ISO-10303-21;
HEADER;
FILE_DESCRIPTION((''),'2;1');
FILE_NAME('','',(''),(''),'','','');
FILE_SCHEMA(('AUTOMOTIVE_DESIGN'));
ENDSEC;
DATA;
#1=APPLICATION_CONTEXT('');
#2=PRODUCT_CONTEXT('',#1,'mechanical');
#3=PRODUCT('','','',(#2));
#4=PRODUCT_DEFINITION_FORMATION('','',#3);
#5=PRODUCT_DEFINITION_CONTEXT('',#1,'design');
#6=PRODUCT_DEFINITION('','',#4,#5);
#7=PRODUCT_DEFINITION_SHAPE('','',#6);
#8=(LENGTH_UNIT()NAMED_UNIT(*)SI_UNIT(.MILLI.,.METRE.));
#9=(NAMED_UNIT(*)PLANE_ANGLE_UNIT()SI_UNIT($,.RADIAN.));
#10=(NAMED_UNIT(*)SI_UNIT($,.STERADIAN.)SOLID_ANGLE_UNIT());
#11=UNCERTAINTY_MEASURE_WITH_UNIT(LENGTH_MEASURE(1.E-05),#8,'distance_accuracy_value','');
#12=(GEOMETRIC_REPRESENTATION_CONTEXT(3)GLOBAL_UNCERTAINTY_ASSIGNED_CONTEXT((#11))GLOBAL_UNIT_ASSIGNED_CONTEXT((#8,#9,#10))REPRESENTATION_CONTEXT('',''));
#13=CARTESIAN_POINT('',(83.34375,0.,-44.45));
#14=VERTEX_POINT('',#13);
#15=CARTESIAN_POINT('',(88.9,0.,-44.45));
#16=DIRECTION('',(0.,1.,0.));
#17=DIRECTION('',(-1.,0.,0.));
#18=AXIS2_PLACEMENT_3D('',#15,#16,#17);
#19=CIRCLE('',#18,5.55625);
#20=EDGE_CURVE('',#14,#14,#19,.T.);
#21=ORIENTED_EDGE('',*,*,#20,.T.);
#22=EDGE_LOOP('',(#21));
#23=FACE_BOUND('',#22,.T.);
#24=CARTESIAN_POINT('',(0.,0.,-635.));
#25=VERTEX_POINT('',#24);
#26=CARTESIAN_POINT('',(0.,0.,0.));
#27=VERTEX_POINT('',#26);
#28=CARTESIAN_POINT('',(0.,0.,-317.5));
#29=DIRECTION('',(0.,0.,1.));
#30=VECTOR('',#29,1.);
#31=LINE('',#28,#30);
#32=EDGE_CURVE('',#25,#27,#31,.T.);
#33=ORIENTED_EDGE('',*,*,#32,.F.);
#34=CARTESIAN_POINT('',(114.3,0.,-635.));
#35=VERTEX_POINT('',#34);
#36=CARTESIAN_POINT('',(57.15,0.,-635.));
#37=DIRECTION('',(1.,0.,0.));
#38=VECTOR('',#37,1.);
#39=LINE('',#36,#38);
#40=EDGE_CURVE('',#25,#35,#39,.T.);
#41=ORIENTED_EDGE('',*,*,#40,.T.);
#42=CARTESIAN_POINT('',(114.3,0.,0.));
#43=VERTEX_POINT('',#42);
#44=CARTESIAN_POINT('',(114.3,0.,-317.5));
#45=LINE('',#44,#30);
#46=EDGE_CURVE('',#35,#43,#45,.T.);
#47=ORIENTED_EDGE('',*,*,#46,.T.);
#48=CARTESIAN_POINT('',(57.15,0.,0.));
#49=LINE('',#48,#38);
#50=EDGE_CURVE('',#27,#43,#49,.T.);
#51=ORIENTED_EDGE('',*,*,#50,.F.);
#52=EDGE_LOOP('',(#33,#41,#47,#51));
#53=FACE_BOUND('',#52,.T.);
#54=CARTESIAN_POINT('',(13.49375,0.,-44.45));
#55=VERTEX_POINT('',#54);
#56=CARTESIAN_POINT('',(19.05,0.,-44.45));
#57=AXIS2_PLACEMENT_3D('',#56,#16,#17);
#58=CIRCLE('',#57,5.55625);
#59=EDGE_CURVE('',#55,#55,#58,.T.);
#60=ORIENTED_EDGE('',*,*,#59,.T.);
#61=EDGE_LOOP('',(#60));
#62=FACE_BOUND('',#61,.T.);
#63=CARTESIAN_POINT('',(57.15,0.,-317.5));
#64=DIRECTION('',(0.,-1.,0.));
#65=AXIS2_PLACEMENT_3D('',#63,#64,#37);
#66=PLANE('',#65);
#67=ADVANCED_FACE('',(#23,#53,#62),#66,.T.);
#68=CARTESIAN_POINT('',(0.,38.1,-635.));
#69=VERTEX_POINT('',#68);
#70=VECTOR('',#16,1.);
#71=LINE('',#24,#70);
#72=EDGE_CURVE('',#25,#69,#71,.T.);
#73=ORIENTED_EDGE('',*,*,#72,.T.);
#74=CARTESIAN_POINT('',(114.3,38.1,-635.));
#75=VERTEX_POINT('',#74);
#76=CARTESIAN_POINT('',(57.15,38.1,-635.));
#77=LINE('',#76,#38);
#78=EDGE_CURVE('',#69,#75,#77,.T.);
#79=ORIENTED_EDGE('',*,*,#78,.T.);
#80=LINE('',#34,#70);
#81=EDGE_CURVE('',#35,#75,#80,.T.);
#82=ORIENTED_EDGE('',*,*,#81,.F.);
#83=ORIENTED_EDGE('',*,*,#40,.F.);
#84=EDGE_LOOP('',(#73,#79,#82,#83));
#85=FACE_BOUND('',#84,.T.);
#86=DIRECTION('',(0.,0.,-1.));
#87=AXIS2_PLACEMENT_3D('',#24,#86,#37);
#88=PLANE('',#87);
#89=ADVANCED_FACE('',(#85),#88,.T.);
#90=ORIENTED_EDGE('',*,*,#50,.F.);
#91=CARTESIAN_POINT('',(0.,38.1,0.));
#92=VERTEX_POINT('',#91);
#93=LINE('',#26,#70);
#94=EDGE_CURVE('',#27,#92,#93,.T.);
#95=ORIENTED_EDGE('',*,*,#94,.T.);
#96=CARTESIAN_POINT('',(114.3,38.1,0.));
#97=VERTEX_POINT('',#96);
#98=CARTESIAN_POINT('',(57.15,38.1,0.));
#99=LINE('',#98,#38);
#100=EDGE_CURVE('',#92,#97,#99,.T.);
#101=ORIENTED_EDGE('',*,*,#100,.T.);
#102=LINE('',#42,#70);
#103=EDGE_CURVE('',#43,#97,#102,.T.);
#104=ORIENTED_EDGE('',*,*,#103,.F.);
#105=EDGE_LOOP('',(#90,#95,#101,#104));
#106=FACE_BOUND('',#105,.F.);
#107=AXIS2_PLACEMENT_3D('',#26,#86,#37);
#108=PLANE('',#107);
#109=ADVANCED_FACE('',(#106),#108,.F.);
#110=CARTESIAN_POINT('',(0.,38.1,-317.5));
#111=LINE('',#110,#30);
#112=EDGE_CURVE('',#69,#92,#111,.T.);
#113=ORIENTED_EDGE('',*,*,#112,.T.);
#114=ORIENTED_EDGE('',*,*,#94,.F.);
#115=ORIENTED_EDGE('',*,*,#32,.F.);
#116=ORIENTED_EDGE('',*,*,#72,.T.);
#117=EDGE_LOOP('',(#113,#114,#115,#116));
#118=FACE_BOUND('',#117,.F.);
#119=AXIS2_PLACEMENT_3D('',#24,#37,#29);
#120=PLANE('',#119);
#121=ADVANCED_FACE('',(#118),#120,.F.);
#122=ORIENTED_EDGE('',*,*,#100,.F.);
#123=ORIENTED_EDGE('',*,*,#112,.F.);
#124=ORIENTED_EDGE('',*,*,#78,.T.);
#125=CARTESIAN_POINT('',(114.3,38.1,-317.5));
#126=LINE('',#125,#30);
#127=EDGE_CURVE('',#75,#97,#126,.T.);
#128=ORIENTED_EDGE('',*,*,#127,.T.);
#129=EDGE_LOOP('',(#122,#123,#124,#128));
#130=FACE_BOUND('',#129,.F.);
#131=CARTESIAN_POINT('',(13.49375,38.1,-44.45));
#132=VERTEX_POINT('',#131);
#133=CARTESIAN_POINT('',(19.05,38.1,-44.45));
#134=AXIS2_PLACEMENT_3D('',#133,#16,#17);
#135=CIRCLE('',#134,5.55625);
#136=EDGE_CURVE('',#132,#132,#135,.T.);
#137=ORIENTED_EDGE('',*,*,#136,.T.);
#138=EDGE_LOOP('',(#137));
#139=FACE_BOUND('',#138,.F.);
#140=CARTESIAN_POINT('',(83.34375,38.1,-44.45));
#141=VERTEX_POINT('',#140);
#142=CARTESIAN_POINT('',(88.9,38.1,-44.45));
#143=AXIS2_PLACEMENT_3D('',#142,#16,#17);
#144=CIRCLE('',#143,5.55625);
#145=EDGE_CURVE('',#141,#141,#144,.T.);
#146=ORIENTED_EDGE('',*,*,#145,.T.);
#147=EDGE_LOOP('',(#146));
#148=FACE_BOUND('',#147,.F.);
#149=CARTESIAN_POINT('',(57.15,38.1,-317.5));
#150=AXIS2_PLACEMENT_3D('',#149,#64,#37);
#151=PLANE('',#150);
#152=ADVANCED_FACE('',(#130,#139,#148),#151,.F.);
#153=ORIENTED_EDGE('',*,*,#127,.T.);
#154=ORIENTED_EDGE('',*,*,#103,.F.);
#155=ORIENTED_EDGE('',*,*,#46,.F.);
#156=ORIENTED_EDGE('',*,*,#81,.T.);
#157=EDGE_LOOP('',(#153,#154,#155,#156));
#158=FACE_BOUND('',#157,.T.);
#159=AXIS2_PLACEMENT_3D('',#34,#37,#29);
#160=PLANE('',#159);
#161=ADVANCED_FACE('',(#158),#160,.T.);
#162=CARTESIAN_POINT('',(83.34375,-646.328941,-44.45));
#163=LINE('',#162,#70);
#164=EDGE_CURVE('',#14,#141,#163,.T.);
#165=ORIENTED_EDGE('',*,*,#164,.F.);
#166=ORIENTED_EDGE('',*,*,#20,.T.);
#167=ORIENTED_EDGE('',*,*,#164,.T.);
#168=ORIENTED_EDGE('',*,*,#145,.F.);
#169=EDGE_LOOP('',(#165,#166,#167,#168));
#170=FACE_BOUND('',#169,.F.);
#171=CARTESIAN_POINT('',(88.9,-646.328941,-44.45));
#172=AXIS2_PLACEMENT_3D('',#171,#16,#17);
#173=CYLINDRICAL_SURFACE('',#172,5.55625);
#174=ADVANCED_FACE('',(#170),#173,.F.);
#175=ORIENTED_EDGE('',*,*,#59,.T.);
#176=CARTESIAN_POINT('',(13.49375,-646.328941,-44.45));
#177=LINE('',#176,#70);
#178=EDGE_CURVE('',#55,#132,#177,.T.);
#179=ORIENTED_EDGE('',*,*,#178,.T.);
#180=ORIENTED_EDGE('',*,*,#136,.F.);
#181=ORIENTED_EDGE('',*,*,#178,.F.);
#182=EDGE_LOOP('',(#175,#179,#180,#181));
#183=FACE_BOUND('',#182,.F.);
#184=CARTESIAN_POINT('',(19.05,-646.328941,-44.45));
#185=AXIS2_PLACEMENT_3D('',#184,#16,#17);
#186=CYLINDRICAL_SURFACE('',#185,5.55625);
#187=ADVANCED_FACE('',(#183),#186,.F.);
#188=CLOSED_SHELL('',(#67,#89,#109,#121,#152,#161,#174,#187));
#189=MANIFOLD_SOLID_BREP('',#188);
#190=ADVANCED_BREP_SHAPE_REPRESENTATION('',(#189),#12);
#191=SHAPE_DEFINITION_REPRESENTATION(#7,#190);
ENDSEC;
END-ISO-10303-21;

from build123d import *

# Parameters (mm, degrees)
F0_W     = 114.3
F0_H     = 635
F1_DEPTH = 38.1
F3_D     = 11.1125


with BuildPart() as f1:
    # F0 (on Front) → F1 (new body)
    with BuildSketch(Plane.XZ):
        with Locations((57.15, -317.5)):
            Rectangle(F0_W, F0_H)
    extrude(amount=-F1_DEPTH)

    # F3 (through all)
    with Locations(Plane.XZ):
        with Locations((19.05, -44.45), (88.9, -44.45)):
            Hole(F3_D / 2)


solid = f1.part
